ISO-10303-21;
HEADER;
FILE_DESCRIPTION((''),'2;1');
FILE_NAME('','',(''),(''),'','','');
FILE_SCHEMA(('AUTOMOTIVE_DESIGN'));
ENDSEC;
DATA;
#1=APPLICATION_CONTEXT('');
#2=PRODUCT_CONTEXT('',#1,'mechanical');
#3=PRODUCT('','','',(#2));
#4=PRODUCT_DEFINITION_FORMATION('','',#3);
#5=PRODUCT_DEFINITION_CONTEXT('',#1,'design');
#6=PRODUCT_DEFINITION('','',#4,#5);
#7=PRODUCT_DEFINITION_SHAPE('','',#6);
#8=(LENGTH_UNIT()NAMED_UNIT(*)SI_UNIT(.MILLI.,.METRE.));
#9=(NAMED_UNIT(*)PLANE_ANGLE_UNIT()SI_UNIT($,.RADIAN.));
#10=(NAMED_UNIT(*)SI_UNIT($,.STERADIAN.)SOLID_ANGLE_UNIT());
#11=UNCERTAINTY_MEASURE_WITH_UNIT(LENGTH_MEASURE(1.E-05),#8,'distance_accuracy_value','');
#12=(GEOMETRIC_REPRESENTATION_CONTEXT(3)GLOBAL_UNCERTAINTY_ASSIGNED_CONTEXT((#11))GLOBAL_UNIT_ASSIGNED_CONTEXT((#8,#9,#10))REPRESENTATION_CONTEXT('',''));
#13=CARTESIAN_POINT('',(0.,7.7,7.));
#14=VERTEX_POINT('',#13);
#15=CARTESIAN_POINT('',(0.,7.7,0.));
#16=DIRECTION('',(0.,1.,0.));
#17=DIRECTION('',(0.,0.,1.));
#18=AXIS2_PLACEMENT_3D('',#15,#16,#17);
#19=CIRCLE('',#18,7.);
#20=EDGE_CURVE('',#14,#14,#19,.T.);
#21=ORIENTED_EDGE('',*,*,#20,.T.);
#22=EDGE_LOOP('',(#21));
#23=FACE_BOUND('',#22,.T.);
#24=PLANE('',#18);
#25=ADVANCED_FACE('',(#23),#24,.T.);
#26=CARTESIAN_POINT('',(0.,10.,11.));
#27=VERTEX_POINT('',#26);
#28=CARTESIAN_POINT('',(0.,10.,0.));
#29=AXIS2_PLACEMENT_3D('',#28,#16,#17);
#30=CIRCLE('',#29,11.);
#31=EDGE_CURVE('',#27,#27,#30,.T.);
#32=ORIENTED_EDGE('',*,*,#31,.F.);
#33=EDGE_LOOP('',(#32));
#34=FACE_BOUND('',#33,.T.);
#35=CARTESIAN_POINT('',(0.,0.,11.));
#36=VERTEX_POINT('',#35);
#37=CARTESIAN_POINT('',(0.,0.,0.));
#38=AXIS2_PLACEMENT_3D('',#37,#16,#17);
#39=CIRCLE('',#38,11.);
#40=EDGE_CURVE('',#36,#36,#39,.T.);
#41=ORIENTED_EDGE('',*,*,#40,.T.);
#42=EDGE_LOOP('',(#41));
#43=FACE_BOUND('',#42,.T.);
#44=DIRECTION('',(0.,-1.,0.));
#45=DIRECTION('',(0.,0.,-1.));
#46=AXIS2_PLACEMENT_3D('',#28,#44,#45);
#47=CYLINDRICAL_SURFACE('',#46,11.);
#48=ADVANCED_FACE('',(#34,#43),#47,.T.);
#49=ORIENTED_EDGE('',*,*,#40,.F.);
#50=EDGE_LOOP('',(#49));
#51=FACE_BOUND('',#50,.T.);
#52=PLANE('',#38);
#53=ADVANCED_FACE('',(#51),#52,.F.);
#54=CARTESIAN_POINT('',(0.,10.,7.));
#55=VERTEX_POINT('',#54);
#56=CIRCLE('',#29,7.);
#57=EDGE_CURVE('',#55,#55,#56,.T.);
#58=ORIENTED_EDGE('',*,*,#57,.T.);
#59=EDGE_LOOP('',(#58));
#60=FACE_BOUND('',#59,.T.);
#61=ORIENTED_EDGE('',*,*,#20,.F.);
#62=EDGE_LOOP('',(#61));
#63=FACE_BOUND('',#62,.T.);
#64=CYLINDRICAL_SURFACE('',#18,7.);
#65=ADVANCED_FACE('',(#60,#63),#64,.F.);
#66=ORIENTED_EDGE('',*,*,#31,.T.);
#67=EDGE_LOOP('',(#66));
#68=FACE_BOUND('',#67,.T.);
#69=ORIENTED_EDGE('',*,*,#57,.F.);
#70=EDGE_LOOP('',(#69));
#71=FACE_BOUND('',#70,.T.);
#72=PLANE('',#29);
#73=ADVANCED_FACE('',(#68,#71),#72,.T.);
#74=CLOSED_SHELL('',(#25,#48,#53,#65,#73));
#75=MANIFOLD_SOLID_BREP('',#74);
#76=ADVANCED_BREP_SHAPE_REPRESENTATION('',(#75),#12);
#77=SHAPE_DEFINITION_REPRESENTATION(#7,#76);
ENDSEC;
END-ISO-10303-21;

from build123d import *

# Parameters (mm, degrees)
SKETCH_1_R          = 11
EXTRUDE_1_DEPTH     = 10
SKETCH_2_R          = 7
CUT_EXTRUDE_1_DEPTH = 2.3


with BuildPart() as part:
    # 草图1 → 凸台-拉伸1 (new body)
    with BuildSketch(Plane(origin=(0, 0, 0), x_dir=(1, 0, 0), z_dir=(0, 1, 0))):
        with Locations(Location((0, 0, 0), (0, 0, 270))):
            Circle(SKETCH_1_R)
    extrude(amount=EXTRUDE_1_DEPTH)

    # 草图2 → 切除-拉伸1 (cut)
    with BuildSketch(Plane(origin=(0, 10, 0), x_dir=(1, 0, 0), z_dir=(0, 1, 0))):
        with Locations(Location((0, 0, 0), (0, 0, 270))):
            Circle(SKETCH_2_R)
    extrude(amount=-CUT_EXTRUDE_1_DEPTH, mode=Mode.SUBTRACT)


solid = part.part
